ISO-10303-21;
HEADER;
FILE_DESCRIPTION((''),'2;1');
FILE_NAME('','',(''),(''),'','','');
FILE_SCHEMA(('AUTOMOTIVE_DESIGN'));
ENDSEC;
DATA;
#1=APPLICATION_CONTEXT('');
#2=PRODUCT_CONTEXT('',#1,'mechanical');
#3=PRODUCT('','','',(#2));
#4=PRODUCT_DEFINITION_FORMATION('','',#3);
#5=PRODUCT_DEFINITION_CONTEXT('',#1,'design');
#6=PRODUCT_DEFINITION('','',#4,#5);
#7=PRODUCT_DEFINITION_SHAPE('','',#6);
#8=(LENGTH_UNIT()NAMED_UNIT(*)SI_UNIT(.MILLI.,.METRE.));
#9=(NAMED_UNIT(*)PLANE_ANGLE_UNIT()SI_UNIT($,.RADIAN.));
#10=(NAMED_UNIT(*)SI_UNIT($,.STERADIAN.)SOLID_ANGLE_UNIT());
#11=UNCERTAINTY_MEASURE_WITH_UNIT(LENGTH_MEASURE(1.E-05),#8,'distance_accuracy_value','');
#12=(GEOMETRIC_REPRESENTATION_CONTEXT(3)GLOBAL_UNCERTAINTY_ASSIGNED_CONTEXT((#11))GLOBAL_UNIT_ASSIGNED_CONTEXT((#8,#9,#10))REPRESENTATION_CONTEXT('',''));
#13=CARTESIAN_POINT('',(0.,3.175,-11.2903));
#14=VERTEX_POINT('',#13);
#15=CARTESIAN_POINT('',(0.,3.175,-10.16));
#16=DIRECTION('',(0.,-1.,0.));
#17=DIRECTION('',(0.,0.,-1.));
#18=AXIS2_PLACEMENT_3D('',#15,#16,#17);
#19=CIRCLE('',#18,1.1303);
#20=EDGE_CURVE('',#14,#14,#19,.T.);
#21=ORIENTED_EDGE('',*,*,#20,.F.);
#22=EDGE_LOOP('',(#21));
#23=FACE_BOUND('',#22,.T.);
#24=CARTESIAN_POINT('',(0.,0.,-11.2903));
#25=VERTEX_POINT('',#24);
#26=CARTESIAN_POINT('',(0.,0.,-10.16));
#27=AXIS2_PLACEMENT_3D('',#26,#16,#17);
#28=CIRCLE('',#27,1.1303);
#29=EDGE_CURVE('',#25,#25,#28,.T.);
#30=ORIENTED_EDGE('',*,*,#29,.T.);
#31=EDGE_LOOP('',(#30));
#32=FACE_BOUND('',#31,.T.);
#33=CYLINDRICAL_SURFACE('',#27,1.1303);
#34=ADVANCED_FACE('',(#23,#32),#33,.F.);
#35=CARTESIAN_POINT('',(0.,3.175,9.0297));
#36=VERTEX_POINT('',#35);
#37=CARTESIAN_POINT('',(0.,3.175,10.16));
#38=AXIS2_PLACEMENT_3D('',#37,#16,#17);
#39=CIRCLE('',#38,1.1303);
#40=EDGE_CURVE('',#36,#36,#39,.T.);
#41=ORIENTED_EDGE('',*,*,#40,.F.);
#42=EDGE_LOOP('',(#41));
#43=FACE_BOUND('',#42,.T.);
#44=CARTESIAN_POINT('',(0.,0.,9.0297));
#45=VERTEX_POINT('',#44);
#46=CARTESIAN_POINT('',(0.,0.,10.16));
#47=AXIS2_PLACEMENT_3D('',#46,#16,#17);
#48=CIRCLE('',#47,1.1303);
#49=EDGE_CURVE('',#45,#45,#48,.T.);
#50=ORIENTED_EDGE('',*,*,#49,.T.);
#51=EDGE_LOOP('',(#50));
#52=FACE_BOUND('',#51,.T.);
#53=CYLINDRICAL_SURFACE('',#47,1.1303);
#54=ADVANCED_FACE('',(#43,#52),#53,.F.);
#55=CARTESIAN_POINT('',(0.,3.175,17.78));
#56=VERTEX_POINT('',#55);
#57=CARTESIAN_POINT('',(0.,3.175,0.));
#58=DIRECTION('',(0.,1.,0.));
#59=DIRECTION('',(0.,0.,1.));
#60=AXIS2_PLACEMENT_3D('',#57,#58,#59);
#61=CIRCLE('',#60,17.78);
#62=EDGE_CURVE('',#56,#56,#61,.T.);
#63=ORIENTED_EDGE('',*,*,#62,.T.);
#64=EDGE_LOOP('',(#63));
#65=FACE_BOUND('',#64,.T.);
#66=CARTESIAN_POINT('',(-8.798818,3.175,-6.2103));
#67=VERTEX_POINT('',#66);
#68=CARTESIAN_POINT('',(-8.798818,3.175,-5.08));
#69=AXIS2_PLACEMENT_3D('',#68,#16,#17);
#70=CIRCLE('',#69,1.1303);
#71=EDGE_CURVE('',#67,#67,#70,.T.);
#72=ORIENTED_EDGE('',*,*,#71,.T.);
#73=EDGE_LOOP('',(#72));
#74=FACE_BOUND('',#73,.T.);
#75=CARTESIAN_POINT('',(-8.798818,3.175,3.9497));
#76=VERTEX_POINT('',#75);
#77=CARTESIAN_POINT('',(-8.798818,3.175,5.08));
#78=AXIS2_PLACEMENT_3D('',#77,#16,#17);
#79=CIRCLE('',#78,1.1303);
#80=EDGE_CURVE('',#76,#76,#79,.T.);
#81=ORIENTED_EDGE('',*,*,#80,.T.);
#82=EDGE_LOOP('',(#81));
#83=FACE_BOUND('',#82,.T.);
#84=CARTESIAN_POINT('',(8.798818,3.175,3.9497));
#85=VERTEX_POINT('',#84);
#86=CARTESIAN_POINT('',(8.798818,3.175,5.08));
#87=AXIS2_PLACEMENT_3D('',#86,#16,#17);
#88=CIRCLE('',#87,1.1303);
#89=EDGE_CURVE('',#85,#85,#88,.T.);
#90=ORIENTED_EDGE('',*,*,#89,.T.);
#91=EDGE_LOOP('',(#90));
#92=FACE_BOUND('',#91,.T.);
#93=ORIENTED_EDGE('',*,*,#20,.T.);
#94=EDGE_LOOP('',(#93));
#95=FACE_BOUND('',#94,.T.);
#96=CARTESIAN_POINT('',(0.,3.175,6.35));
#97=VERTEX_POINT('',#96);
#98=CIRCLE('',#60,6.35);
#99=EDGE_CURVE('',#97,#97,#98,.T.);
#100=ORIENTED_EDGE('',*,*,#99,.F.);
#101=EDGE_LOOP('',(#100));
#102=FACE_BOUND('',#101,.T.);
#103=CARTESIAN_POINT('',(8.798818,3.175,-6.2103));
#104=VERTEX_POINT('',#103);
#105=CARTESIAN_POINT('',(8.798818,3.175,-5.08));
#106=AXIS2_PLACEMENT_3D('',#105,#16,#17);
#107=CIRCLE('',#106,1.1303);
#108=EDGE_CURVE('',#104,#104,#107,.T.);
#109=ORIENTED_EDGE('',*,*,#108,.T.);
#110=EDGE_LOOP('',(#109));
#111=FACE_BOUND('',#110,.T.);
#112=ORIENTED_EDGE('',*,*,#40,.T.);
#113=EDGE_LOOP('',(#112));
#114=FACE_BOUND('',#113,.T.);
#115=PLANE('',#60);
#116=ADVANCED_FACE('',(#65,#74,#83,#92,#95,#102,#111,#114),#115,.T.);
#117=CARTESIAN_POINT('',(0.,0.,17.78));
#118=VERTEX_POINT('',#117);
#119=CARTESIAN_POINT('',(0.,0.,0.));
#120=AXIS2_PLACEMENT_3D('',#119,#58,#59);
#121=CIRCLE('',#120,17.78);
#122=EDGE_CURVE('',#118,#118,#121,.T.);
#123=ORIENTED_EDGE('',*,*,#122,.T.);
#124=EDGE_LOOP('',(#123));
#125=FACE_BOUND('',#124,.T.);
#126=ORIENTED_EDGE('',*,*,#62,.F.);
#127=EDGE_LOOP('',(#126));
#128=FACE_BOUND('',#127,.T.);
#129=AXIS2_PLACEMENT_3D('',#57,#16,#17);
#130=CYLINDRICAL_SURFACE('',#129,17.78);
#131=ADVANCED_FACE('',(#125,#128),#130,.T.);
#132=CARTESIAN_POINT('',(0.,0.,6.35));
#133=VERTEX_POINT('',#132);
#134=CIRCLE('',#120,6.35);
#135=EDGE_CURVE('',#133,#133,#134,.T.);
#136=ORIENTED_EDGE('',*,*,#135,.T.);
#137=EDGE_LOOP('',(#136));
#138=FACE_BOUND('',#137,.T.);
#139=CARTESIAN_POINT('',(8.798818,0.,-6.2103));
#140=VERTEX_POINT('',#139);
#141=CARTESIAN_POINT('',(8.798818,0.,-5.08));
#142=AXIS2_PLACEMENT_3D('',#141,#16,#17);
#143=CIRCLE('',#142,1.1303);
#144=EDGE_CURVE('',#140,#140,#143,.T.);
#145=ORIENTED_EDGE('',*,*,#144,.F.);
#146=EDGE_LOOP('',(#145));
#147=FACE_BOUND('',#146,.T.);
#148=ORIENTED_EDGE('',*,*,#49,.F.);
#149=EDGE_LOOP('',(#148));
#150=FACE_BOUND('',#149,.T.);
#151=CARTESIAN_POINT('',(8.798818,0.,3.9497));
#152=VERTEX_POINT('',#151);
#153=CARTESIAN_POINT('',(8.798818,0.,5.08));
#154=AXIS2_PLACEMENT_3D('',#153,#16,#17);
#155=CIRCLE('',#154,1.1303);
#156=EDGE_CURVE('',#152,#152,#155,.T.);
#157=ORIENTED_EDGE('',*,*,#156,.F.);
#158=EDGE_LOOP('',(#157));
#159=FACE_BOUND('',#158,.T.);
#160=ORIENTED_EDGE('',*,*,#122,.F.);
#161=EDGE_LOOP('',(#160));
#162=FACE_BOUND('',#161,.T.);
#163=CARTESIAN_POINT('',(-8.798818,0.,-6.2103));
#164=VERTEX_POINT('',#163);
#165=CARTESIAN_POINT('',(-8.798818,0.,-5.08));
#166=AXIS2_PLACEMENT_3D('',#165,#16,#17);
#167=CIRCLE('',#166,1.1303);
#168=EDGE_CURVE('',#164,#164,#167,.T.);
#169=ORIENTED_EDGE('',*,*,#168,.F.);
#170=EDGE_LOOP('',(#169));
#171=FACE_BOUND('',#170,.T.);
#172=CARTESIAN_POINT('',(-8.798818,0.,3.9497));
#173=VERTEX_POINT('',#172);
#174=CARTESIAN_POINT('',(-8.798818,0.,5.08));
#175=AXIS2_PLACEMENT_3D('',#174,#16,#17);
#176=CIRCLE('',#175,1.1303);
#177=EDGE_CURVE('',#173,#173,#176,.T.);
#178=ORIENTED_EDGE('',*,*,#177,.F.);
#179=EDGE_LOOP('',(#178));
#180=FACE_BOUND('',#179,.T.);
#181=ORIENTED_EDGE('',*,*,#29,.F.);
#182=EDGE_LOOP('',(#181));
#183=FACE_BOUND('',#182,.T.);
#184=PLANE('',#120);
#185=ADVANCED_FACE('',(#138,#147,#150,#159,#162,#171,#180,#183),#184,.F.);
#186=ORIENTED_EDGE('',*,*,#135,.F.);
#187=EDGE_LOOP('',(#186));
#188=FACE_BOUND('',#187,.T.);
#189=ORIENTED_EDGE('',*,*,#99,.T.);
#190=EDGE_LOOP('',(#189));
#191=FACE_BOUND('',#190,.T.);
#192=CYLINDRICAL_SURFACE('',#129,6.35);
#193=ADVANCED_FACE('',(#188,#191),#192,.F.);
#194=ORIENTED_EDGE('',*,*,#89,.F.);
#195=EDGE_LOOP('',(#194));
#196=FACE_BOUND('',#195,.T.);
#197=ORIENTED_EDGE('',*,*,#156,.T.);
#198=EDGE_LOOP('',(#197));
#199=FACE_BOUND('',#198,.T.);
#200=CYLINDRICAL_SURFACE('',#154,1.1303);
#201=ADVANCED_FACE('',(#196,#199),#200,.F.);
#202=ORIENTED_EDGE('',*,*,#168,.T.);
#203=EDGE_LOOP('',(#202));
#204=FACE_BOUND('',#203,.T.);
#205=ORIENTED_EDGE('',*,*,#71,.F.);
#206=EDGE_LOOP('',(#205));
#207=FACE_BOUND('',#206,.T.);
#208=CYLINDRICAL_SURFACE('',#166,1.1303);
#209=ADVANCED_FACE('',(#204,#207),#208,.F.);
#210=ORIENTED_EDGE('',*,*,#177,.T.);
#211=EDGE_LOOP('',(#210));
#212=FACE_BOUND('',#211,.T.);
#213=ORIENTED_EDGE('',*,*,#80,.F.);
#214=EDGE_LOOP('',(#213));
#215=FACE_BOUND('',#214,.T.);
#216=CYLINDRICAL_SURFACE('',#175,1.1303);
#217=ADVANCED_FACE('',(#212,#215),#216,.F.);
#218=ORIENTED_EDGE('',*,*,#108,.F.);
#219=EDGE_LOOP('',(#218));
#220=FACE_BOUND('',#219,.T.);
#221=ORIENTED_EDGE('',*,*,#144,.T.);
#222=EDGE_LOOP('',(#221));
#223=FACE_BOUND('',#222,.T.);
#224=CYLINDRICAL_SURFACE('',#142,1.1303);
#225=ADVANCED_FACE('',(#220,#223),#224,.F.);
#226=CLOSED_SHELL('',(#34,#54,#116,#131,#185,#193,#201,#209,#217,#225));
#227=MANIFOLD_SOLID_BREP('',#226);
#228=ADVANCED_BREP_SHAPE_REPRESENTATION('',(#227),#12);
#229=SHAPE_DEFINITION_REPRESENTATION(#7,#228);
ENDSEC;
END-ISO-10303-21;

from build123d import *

# Parameters (mm, degrees)
SKETCH1_R                 = 17.78
SKETCH1_R_2               = 6.35
BOSS_EXTRUDE1_DEPTH       = 3.175
TAP_DRILL_FOR_4_40_TAP1_D = 2.2606


with BuildPart() as part:
    # Sketch1 → Boss-Extrude1 (new body)
    with BuildSketch(Plane(origin=(0, 0, 0), x_dir=(1, 0, 0), z_dir=(0, 1, 0))):
        Circle(SKETCH1_R)
        Circle(SKETCH1_R_2, mode=Mode.SUBTRACT)
    extrude(amount=BOSS_EXTRUDE1_DEPTH)

    # Tap Drill for #4-40 Tap1 (through all)
    with Locations(Plane(origin=(0, 0, 0), x_dir=(-1, 0, 0), z_dir=(0, -1, 0))):
        with Locations((0, -10.16), (-8.798818102, -5.08), (-8.798818102, 5.08), (0, 10.16), (8.798818102, 5.08), (8.798818102, -5.08)):
            Hole(TAP_DRILL_FOR_4_40_TAP1_D / 2)


solid = part.part
